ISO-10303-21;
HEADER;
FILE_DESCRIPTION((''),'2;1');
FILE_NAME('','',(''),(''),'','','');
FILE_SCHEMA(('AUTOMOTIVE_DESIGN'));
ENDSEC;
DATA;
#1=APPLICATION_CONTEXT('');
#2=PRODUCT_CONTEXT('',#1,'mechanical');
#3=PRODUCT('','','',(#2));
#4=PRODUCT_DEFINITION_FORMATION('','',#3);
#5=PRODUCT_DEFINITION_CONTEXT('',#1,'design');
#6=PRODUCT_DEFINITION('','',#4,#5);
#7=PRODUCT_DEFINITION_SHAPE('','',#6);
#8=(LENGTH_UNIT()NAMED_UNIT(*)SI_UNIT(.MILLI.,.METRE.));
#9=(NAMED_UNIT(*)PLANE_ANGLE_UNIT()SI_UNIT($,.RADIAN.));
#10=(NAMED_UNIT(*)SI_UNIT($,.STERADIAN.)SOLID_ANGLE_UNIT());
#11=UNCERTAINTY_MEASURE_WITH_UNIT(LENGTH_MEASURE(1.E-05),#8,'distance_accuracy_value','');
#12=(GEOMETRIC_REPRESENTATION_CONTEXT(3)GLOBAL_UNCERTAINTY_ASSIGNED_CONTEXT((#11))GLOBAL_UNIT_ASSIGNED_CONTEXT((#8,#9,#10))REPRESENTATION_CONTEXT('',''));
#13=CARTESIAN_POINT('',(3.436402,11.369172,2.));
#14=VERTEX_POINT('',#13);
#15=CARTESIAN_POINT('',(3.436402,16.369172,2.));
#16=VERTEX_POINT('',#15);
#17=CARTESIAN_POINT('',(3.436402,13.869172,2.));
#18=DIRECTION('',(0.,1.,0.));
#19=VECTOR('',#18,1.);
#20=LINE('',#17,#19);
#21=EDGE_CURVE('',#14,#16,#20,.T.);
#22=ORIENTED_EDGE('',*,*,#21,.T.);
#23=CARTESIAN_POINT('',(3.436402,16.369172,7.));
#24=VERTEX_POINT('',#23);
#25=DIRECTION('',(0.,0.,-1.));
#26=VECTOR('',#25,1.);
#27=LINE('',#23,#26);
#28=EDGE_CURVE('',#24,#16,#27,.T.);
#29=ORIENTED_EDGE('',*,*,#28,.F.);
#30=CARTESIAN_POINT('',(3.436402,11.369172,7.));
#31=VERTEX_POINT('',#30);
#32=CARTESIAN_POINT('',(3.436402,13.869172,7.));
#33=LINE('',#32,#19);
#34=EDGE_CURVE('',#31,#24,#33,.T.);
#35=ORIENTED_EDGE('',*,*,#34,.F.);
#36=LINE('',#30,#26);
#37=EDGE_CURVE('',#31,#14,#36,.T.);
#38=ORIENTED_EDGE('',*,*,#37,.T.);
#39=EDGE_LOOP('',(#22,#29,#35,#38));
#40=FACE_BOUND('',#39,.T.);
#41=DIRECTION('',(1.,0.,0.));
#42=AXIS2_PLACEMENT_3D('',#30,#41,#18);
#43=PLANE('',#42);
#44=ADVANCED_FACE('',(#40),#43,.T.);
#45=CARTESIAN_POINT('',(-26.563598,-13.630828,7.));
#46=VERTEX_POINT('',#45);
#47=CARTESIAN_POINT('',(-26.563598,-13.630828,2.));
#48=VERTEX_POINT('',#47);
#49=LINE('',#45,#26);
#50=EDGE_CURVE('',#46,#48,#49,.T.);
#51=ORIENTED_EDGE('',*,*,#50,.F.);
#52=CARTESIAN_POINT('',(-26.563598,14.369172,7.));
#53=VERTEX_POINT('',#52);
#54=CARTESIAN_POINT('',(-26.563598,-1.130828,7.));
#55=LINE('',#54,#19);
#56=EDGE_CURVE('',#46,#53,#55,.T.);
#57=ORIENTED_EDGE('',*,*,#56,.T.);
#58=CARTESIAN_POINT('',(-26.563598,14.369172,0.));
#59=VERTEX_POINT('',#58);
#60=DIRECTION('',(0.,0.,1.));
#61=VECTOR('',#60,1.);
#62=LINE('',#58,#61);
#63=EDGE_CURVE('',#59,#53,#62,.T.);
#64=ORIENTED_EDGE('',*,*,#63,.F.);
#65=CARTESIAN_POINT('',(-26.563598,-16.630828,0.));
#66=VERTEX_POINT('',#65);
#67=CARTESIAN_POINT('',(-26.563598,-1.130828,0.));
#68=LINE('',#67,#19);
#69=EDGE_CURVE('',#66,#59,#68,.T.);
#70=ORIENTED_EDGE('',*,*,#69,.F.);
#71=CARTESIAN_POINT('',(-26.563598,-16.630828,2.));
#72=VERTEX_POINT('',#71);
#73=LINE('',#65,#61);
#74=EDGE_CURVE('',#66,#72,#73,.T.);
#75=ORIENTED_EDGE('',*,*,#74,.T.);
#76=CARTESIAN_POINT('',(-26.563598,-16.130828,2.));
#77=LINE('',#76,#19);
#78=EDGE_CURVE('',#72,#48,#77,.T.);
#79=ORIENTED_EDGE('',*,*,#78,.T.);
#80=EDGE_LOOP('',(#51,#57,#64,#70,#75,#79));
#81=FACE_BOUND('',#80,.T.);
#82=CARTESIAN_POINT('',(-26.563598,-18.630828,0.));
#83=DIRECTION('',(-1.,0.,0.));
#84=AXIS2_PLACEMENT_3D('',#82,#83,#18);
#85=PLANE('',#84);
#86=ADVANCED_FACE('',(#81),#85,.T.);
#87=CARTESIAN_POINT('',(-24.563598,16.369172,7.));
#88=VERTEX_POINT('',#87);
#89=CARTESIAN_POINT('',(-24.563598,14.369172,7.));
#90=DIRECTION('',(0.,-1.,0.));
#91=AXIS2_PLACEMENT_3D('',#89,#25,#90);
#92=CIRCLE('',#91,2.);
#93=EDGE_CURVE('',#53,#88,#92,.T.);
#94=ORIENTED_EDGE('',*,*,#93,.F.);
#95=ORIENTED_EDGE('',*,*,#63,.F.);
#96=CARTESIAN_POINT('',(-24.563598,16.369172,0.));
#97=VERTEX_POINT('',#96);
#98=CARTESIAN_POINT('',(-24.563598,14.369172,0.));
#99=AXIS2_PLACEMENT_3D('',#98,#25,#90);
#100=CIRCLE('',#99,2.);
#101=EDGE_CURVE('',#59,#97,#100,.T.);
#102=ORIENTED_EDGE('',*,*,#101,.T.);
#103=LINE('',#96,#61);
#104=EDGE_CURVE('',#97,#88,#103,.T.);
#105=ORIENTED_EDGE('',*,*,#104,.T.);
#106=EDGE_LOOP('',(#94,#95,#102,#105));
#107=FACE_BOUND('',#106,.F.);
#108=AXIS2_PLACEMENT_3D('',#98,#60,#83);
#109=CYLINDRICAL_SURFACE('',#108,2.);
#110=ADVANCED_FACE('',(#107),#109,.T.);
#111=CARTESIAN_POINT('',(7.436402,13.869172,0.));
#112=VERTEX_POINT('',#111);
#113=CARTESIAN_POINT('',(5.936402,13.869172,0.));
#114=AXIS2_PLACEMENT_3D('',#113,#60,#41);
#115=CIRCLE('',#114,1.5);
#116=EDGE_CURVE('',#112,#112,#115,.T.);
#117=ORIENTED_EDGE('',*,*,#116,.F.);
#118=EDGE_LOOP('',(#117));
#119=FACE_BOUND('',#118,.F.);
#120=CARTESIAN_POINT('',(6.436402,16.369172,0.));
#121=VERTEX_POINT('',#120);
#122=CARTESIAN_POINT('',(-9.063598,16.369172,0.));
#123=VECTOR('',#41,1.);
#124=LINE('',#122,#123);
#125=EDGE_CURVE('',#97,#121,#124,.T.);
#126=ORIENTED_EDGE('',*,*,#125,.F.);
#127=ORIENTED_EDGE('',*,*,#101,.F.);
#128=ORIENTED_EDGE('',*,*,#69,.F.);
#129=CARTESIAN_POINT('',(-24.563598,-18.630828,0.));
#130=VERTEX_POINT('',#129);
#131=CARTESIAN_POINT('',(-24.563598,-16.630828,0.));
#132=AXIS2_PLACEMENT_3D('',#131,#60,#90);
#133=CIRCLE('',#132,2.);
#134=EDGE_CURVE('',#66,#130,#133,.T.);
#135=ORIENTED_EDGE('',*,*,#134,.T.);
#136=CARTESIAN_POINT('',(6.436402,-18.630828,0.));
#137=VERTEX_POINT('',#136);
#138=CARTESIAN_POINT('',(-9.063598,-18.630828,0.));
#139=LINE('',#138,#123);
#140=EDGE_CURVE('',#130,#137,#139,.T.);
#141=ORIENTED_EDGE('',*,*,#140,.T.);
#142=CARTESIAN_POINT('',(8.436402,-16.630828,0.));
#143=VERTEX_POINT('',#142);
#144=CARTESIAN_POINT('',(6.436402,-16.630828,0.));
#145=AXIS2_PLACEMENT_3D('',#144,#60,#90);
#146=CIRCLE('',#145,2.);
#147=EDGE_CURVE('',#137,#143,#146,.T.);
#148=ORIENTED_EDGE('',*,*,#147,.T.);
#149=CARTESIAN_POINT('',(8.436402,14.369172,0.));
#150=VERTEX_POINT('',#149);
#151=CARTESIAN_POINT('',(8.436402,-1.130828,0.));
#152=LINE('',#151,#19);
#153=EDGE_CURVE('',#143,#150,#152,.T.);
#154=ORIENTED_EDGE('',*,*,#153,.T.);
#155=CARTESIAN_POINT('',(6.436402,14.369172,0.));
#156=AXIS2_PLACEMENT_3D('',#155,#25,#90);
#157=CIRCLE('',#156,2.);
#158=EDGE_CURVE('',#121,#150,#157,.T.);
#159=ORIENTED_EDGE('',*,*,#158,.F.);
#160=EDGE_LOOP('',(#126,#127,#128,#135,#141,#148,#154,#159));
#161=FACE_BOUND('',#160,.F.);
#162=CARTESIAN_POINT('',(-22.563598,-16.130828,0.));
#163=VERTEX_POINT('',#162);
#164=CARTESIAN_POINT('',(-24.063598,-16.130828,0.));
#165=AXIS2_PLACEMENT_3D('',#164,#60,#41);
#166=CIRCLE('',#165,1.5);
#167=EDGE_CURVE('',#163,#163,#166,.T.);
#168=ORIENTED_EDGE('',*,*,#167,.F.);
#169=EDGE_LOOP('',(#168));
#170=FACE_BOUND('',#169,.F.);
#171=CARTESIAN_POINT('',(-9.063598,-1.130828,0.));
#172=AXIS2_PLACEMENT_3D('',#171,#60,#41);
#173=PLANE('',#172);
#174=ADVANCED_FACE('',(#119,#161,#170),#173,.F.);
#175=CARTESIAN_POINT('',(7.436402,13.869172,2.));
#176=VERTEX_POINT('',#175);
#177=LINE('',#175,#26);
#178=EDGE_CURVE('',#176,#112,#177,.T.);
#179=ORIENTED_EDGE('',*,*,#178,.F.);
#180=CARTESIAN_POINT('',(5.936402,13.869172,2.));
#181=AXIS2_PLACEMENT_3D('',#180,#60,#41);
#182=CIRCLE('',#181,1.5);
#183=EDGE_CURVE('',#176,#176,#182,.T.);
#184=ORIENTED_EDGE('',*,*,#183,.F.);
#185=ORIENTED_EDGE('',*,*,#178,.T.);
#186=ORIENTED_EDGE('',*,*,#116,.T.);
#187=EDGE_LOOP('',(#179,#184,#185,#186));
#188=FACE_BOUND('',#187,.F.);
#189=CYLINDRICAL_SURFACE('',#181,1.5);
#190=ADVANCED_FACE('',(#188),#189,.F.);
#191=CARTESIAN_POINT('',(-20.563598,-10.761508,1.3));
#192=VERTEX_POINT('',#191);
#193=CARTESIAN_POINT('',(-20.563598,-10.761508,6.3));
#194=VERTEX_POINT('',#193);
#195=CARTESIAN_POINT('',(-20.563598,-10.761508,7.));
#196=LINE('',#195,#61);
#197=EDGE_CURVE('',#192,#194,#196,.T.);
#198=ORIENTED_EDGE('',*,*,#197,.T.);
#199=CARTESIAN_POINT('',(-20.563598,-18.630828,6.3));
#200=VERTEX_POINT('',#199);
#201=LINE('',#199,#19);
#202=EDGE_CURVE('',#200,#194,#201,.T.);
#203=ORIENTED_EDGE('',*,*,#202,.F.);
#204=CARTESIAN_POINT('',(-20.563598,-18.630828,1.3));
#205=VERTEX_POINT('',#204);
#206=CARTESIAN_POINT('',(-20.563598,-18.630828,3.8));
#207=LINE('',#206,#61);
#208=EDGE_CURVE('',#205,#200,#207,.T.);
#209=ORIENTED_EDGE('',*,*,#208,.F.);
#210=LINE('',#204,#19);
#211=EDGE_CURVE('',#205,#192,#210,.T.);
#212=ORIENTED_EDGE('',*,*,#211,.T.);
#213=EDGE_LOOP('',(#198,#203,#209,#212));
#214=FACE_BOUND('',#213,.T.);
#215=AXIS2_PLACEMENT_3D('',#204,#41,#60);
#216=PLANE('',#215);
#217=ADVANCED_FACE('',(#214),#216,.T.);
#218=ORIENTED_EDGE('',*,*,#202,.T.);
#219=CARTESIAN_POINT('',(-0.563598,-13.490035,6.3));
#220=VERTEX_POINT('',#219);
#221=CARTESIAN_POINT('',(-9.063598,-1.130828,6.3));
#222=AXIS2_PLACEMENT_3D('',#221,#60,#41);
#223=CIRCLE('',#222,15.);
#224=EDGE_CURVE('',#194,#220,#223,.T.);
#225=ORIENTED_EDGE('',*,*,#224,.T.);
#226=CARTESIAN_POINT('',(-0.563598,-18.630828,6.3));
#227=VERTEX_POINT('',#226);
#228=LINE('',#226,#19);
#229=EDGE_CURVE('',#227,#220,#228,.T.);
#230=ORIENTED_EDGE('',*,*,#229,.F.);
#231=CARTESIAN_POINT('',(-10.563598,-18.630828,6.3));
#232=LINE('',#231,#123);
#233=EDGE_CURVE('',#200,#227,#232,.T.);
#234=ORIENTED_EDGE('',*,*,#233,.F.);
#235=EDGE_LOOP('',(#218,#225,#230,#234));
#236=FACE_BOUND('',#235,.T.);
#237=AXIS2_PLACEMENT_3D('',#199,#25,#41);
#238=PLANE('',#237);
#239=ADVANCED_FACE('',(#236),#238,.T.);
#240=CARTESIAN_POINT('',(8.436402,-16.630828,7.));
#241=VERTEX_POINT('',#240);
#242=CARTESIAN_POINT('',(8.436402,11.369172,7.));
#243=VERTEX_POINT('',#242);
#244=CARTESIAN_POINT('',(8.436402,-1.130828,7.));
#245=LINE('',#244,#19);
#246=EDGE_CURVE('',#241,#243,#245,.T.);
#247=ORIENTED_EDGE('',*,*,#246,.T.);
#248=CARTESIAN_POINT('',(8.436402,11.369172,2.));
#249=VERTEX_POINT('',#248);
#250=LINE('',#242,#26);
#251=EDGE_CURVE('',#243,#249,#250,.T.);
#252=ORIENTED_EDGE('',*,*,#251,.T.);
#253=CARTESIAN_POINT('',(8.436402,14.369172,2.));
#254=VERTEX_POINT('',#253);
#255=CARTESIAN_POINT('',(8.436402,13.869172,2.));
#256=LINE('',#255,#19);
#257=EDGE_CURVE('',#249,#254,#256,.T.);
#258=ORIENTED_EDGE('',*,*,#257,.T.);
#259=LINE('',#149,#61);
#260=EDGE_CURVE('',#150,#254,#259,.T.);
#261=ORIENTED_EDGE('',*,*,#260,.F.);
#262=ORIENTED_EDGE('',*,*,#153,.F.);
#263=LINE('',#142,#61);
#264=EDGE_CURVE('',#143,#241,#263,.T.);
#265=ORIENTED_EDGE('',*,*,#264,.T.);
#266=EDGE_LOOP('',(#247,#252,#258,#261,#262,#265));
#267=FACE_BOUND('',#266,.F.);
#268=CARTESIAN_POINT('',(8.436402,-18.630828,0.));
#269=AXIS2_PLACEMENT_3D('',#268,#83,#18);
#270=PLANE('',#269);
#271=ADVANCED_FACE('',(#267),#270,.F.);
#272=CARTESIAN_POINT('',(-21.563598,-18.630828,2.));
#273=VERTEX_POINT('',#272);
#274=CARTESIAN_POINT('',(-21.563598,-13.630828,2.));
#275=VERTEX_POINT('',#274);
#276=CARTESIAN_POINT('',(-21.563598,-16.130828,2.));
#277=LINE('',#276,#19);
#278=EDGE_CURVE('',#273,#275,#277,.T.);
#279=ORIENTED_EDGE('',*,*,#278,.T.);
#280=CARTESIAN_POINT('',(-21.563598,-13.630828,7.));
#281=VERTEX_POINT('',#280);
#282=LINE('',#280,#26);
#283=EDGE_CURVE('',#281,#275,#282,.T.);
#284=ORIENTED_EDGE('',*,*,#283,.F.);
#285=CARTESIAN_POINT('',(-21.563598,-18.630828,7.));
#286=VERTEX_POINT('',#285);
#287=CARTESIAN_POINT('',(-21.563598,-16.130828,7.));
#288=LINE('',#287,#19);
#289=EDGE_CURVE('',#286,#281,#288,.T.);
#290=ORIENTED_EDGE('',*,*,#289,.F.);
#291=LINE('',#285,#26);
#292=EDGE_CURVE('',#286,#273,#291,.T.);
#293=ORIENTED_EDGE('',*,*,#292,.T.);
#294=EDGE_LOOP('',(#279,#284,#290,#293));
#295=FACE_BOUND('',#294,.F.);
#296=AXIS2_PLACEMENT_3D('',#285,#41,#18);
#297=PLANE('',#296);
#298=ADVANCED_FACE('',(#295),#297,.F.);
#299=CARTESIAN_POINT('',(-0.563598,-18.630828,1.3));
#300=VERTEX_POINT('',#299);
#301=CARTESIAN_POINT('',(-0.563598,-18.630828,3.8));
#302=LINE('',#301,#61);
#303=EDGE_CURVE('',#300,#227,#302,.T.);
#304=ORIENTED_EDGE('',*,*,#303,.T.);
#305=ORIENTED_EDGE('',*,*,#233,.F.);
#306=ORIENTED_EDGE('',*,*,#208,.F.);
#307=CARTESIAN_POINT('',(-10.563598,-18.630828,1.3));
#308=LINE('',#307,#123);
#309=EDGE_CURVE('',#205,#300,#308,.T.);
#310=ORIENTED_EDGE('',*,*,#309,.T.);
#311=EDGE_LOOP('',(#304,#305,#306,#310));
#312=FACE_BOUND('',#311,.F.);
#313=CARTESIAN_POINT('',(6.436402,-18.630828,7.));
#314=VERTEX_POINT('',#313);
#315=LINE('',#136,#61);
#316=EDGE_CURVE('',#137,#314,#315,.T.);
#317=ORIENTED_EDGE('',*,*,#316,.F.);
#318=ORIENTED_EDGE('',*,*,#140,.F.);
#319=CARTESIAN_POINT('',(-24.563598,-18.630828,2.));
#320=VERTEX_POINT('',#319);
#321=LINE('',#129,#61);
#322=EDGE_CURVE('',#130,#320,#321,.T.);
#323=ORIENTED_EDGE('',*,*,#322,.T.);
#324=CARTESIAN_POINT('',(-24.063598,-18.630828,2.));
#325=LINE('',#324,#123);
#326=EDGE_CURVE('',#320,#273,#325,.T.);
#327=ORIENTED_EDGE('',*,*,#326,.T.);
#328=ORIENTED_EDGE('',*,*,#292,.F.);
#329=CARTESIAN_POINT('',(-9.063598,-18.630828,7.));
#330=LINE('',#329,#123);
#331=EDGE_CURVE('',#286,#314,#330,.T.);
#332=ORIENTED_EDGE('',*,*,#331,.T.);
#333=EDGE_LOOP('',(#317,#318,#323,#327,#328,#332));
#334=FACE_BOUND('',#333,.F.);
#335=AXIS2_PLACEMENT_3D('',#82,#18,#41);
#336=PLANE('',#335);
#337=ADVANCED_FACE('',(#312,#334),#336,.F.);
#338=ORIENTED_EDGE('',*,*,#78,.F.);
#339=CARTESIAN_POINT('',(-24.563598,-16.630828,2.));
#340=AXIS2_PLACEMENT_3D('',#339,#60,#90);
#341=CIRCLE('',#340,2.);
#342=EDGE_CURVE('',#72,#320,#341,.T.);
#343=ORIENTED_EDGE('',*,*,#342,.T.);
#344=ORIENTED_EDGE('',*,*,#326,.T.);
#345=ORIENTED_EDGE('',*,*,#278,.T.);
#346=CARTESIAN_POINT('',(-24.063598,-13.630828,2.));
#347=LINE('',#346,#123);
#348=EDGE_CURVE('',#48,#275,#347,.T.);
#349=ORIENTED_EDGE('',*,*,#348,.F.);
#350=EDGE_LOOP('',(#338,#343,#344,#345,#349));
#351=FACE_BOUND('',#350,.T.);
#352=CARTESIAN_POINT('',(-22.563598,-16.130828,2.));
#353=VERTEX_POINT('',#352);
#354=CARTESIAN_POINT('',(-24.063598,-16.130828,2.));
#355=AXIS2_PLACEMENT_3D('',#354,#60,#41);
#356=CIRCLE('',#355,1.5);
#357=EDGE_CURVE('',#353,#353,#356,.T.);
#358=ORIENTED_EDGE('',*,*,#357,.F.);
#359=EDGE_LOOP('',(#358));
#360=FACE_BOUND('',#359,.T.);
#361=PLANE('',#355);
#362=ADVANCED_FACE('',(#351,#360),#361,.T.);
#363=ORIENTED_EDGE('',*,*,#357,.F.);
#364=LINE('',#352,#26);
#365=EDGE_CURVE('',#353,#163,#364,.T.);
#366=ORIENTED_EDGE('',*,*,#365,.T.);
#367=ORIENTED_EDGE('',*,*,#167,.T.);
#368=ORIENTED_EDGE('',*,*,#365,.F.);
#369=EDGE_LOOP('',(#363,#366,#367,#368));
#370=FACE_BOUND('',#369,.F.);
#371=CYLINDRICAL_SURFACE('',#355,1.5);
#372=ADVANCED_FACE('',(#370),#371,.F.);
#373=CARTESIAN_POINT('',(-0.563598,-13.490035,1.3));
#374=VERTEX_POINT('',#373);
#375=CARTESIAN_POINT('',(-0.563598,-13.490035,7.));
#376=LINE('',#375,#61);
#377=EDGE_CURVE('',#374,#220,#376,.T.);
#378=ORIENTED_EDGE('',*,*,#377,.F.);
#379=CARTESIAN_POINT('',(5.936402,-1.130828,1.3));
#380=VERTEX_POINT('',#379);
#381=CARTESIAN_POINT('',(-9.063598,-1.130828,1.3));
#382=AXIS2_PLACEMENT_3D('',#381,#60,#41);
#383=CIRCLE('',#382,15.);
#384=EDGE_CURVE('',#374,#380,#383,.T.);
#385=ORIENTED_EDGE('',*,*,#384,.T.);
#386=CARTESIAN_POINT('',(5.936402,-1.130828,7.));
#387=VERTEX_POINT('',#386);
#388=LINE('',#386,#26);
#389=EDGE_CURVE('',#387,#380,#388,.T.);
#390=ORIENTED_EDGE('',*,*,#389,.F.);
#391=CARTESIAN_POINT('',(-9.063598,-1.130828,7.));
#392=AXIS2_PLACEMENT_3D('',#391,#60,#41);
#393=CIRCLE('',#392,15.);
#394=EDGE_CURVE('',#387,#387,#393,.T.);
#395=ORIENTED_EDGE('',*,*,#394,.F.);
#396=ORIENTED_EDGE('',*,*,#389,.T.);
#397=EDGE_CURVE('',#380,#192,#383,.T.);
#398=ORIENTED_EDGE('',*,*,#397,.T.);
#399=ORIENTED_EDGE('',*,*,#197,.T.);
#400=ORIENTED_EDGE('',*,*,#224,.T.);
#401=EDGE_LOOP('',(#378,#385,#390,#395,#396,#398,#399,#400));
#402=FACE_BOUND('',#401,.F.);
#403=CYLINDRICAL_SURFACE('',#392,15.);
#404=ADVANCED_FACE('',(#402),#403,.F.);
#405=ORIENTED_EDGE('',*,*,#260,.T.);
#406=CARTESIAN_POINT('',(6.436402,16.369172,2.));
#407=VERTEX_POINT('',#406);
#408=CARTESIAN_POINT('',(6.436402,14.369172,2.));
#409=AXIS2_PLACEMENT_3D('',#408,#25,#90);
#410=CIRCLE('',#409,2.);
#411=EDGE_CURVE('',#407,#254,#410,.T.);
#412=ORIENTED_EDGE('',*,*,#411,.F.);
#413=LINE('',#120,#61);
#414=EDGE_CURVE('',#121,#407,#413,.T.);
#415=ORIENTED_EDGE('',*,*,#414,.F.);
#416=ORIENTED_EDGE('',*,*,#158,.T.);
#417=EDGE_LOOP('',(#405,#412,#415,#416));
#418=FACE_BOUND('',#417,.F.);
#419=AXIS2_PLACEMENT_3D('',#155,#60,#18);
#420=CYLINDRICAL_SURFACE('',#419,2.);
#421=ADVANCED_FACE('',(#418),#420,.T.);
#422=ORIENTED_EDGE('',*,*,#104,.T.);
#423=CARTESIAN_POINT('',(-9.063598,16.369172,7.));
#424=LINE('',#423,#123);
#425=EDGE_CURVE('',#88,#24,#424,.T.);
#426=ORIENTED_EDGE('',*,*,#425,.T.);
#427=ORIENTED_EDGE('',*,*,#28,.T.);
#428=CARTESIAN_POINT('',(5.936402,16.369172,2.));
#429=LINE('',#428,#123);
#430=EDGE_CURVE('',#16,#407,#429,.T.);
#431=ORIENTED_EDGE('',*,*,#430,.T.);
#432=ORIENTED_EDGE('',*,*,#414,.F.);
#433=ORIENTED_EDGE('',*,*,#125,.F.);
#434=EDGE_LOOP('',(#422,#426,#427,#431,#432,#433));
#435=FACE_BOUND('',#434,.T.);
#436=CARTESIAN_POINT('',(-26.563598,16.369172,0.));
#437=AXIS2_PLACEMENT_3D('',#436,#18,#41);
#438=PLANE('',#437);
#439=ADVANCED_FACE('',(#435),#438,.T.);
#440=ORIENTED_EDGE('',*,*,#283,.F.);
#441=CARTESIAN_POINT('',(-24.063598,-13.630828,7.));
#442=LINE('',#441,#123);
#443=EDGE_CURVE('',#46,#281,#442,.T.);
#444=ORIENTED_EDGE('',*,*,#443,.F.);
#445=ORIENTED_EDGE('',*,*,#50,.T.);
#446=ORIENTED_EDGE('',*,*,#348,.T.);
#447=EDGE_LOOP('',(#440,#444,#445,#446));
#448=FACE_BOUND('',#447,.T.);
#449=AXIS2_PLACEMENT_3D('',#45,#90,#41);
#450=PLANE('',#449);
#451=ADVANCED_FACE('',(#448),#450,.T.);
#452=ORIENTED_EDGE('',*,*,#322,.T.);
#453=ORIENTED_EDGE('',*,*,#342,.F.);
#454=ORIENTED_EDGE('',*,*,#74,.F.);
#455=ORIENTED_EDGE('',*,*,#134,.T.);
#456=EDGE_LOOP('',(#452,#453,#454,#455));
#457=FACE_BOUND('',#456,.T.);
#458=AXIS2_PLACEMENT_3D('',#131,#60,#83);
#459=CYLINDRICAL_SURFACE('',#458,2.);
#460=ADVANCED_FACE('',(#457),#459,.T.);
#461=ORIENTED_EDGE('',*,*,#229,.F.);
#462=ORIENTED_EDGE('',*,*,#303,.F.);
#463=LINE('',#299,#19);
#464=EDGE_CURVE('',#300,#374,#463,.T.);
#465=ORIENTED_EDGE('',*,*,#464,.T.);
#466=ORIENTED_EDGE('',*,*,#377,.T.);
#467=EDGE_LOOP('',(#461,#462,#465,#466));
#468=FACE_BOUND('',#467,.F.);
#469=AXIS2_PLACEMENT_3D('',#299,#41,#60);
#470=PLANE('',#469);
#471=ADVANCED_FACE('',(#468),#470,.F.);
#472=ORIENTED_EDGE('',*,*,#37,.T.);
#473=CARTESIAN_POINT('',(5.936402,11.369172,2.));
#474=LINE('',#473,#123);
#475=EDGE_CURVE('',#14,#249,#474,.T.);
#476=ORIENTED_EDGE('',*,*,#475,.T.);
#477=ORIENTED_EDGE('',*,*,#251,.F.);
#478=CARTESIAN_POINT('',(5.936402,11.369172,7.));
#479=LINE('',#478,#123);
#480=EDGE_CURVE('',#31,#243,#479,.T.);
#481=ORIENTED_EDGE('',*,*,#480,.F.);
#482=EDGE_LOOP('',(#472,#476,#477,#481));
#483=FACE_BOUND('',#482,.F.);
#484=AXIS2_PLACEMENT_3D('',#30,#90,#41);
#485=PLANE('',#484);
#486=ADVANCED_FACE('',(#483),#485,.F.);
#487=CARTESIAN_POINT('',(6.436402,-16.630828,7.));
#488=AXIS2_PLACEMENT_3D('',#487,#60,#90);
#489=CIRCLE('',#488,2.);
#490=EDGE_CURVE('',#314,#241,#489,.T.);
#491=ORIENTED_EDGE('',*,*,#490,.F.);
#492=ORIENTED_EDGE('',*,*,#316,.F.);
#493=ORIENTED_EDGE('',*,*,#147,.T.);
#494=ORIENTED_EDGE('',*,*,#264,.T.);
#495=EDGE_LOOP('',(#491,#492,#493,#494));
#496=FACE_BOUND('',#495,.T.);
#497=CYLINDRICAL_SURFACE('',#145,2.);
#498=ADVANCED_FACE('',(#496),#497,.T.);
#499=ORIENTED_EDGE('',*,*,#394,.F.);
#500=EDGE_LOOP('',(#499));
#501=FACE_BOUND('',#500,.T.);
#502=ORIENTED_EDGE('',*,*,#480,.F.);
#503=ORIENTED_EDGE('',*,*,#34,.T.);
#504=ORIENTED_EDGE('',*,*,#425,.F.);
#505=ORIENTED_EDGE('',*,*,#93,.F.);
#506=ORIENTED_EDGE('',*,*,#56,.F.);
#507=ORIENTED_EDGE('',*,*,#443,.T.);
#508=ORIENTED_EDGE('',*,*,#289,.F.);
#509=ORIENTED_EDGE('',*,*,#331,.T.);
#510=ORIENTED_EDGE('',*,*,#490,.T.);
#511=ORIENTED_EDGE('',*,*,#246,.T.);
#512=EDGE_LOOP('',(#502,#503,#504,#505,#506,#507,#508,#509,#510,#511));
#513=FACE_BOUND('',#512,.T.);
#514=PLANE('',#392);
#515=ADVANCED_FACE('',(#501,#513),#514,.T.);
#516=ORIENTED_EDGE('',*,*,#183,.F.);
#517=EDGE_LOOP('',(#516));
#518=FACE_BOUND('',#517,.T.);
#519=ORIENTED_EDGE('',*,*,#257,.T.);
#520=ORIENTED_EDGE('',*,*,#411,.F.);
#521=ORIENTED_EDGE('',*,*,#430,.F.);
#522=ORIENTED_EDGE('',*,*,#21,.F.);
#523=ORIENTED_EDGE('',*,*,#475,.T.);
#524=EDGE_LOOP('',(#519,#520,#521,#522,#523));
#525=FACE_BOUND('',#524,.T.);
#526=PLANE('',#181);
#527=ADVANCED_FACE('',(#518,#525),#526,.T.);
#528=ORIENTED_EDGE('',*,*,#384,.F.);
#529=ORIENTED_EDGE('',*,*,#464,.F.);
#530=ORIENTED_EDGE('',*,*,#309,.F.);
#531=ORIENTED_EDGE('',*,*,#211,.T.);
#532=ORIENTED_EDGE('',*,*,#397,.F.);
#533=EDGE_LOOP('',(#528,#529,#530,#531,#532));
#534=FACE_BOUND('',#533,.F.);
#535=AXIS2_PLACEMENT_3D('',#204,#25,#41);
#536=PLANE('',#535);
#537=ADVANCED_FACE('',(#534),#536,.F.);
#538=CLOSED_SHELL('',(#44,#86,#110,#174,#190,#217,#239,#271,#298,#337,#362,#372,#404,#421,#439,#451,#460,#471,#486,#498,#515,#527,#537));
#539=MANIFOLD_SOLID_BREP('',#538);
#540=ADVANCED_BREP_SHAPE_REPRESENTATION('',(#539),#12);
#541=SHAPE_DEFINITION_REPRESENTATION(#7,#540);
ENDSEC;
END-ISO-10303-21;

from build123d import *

# Parameters (mm, degrees)
F0_W     = 35
F0_H     = 35
F1_DEPTH = 7
F2_W     = 5
F2_H     = 5
F3_DEPTH = 5
F4_R     = 15
F5_DEPTH = 5.7
F6_R     = 1.5
F7_DEPTH = 25
F8_W     = 20
F8_H     = 5
F9_DEPTH = 10
F10_R    = 2


with BuildPart() as f1:
    # F0 (on Top) → F1 (new body)
    with BuildSketch(Plane.XY):
        with Locations((-9.063598, -1.130828)):
            Rectangle(F0_W, F0_H)
    extrude(amount=F1_DEPTH)

    # F2 (on face) → F3 (cut)
    with BuildSketch(Plane.XY.offset(7)):
        with Locations((-24.063598, -16.130828)):
            Rectangle(F2_W, F2_H)
        with Locations((5.936402, 13.869172)):
            Rectangle(F2_W, F2_H)
    extrude(amount=-F3_DEPTH, mode=Mode.SUBTRACT)

    # F4 (on face) → F5 (cut)
    with BuildSketch(Plane.XY.offset(7)):
        with Locations((-9.063598, -1.130828)):
            Circle(F4_R)
    extrude(amount=-F5_DEPTH, mode=Mode.SUBTRACT)

    # F6 (on face) → F7 (cut)
    with BuildSketch(Plane.XY.offset(2)):
        with Locations((-24.063598, -16.130828)):
            Circle(F6_R)
        with Locations((5.936402, 13.869172)):
            Circle(F6_R)
    extrude(amount=-F7_DEPTH, mode=Mode.SUBTRACT)

    # F8 (on face) → F9 (cut)
    with BuildSketch(Plane.XZ.offset(18.630828)):
        with Locations((-10.563598, 3.8)):
            Rectangle(F8_W, F8_H)
    extrude(amount=-F9_DEPTH, mode=Mode.SUBTRACT)

    # F10
    f10_edges = [f1.edges().sort_by_distance(p)[0] for p in [
        (8.436402, -18.630828, 3.5),
        (-26.563598, -18.630828, 1),
        (8.436402, 16.369172, 1),
        (-26.563598, 16.369172, 3.5),
    ]]
    fillet(f10_edges, radius=F10_R)


solid = f1.part
